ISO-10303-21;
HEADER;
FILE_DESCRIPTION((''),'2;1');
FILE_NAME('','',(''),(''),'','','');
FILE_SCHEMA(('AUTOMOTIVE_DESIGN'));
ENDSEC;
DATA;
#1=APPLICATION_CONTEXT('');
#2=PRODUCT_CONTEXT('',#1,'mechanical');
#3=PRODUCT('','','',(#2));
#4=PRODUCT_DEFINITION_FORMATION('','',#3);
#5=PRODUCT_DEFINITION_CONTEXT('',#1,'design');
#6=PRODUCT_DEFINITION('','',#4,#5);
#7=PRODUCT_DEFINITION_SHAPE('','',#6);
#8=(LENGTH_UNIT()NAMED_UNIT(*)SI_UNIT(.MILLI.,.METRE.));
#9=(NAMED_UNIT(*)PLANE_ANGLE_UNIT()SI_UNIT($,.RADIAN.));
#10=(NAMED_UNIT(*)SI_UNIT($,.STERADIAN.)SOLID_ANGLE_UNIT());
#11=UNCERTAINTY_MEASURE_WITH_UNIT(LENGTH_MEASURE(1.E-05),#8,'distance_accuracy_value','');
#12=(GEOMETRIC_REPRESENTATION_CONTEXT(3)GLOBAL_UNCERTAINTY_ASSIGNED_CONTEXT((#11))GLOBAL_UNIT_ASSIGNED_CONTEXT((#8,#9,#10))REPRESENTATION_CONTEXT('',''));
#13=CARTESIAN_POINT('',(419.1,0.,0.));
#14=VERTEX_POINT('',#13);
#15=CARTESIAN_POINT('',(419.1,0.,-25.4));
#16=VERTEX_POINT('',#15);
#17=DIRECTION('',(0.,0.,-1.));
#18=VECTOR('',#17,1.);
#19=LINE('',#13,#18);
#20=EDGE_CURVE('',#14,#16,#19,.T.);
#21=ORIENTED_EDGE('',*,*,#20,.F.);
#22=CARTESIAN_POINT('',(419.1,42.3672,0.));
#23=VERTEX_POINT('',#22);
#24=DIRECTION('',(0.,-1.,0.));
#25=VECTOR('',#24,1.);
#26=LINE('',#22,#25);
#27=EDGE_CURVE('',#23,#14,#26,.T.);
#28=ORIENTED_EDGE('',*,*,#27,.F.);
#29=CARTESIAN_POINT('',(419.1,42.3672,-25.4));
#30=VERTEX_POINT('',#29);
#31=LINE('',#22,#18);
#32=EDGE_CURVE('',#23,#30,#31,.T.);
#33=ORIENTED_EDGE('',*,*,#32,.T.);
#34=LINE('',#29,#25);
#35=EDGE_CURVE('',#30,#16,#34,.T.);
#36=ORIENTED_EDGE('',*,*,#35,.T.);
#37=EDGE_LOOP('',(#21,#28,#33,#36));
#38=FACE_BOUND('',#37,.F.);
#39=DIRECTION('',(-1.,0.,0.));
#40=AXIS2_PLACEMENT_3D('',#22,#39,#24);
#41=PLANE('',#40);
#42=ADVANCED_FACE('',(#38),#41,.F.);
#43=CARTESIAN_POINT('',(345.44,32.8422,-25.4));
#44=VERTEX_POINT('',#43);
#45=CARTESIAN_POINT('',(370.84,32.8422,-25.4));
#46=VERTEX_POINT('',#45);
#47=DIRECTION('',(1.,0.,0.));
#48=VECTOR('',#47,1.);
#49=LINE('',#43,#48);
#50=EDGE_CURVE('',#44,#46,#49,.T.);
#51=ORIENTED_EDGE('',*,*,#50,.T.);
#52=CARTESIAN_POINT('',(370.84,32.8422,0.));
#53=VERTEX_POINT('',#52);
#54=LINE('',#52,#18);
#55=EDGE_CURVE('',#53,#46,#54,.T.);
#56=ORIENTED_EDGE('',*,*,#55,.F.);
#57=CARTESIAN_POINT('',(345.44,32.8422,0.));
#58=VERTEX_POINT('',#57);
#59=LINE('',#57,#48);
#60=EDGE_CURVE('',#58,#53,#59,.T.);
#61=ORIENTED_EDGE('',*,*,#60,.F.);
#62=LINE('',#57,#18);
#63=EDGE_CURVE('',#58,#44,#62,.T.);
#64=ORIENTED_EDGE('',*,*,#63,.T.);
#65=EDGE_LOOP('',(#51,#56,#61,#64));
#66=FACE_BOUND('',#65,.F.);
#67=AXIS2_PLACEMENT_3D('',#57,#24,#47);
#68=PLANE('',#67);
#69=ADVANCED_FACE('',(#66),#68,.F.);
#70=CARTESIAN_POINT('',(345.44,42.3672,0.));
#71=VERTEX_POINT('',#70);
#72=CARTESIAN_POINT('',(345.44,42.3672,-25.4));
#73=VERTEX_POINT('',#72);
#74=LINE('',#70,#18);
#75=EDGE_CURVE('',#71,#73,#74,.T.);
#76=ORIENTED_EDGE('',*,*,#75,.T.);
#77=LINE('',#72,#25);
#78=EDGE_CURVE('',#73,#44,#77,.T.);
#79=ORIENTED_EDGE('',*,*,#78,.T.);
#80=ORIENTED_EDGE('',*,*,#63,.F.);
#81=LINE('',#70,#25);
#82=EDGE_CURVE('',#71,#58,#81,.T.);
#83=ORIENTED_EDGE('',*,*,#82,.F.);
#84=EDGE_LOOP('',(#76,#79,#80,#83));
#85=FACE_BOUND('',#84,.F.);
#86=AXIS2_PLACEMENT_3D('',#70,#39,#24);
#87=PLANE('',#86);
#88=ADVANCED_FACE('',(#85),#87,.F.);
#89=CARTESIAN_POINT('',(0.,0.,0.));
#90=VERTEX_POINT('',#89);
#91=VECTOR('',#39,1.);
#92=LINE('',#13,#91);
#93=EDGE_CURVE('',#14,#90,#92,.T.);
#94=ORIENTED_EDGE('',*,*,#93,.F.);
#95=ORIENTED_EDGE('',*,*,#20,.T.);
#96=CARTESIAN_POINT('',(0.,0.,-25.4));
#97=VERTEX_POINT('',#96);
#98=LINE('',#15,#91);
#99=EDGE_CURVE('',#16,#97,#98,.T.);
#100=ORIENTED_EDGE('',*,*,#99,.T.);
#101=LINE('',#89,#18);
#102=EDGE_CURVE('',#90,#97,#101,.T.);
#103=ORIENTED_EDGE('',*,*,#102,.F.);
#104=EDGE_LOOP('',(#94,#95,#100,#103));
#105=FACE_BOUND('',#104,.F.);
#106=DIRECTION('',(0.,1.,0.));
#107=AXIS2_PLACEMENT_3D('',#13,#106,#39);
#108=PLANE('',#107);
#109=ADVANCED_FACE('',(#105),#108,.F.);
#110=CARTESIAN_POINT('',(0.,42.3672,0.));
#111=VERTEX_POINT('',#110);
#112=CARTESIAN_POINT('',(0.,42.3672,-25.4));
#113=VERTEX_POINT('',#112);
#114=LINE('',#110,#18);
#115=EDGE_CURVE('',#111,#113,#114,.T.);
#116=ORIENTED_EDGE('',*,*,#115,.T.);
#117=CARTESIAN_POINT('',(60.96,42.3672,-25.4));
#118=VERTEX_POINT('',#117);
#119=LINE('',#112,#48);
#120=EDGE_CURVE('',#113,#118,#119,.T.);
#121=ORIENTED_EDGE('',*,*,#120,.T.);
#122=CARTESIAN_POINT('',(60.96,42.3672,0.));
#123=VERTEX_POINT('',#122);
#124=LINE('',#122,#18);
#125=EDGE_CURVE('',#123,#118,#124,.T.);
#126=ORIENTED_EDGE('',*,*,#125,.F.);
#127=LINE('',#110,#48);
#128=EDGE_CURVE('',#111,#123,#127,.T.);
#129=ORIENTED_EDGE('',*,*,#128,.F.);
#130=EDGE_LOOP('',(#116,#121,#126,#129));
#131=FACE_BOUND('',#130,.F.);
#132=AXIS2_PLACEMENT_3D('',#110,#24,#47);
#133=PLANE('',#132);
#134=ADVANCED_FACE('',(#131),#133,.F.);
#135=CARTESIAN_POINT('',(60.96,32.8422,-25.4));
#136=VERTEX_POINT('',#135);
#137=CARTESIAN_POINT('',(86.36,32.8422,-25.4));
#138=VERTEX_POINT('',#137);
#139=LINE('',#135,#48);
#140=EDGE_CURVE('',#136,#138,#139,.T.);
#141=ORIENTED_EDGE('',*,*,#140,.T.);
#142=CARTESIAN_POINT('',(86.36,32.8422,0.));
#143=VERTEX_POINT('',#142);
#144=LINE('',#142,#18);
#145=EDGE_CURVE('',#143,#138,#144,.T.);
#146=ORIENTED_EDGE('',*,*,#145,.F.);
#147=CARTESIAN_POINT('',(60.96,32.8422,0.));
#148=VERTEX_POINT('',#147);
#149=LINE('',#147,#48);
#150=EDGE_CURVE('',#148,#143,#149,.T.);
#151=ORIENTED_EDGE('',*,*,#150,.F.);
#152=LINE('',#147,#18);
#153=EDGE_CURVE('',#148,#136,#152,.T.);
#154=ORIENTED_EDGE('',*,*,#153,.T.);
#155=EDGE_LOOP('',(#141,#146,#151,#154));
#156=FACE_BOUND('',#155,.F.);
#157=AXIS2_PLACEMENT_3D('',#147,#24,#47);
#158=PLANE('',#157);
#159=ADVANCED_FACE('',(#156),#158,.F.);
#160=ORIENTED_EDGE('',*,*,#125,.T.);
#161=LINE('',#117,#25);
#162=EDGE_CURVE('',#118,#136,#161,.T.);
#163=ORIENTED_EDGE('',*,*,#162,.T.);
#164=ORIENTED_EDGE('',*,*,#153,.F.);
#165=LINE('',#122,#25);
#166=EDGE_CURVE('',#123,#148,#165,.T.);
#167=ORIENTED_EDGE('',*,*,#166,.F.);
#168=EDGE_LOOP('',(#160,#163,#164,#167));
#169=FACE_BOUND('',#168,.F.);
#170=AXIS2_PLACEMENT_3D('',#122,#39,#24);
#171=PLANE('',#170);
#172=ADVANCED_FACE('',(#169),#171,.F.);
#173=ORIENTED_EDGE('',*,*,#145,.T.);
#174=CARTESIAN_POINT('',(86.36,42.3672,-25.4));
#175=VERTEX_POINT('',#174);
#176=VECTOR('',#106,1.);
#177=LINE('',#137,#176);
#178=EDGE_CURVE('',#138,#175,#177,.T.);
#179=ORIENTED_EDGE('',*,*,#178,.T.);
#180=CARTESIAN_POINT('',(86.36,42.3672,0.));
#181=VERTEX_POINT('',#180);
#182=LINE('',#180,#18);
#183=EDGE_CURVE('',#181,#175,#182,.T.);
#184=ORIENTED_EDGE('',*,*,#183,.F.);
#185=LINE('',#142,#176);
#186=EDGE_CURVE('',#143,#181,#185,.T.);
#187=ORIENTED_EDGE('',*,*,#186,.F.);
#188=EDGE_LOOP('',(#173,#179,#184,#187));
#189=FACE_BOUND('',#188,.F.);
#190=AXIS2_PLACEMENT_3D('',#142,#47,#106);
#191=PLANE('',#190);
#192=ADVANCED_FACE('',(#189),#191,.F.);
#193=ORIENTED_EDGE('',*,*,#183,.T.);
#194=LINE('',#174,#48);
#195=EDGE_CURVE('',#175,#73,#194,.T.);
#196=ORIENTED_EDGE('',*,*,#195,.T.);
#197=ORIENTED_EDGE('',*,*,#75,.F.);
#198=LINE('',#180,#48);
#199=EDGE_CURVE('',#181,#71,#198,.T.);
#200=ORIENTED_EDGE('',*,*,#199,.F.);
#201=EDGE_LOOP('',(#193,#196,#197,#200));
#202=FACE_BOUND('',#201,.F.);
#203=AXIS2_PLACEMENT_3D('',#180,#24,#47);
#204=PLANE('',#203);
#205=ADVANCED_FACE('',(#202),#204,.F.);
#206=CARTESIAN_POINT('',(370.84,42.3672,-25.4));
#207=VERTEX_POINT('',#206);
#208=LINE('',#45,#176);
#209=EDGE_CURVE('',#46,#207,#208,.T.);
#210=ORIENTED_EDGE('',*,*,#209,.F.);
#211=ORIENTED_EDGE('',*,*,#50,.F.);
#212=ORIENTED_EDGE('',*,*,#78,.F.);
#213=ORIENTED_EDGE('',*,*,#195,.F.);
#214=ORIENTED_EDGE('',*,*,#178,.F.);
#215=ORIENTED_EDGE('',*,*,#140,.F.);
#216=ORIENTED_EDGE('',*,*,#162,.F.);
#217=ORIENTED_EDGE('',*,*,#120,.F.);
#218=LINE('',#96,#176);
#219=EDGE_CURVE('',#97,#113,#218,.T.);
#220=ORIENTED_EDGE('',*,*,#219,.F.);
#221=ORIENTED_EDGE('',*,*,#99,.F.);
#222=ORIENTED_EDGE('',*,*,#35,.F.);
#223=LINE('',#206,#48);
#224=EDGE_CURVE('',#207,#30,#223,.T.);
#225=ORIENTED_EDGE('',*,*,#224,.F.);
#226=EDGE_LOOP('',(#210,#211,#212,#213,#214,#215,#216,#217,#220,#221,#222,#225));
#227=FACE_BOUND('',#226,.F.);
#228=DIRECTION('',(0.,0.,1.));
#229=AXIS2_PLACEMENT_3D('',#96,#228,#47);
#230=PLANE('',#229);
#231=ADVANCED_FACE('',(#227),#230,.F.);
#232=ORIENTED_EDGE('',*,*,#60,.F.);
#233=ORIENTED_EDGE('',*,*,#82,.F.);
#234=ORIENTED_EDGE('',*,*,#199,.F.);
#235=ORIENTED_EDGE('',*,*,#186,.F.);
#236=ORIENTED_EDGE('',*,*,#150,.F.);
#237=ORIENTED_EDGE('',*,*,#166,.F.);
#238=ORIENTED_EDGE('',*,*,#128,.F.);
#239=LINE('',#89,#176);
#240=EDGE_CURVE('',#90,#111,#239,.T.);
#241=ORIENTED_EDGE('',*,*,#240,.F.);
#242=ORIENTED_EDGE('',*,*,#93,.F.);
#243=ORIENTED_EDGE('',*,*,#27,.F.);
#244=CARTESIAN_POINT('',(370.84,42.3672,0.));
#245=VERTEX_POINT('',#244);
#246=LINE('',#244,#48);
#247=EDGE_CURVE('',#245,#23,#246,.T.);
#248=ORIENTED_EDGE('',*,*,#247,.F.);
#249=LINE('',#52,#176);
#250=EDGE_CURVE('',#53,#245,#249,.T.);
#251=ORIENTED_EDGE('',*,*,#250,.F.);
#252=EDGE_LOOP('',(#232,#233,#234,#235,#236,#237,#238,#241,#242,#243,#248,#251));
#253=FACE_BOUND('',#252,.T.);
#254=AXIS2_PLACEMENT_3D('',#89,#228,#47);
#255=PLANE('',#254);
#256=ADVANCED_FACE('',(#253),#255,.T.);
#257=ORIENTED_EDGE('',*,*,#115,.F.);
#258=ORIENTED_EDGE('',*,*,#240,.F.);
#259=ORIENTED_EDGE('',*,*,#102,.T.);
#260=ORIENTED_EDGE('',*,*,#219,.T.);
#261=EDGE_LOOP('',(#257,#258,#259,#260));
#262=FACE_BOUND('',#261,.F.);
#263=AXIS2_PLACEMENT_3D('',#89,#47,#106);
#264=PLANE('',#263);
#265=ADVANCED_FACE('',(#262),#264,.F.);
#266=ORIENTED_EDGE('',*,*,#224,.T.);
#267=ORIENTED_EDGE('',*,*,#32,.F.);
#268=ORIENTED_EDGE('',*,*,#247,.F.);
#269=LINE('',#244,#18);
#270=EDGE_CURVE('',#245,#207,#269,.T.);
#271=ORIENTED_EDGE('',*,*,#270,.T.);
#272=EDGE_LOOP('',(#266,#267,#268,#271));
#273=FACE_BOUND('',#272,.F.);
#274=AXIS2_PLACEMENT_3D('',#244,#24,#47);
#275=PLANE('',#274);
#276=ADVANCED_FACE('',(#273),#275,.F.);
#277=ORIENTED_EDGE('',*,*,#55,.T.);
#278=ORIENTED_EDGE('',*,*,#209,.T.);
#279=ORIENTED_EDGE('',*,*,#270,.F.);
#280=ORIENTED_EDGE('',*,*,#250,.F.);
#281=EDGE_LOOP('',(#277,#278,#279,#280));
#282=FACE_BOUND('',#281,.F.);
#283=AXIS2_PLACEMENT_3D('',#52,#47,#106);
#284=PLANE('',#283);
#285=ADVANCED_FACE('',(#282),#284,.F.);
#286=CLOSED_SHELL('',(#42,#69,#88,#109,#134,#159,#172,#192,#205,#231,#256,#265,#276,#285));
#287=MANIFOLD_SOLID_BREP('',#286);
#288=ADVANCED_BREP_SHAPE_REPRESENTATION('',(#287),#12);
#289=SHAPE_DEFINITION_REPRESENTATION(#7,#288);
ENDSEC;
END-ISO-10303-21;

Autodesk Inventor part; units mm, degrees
ref_plane "YZ Plane" through (0, 0, 0) normal (1, 0, 0) x (0, 1, 0)
ref_plane "XZ Plane" through (0, 0, 0) normal (0, 1, 0) x (-1, 0, 0)
ref_plane "XY Plane" through (0, 0, 0) normal (0, 0, 1) x (1, 0, 0)
sketch "Sketch1" plane through (0, 0, 0) normal (0, 0, 1) x (1, 0, 0)
  line L0 (0, 0) -> (0, 42.3672)
  line L1 (0, 42.3672) -> (60.96, 42.3672)
  line L2 (60.96, 42.3672) -> (60.96, 32.8422)
  line L3 (60.96, 32.8422) -> (86.36, 32.8422)
  line L4 (86.36, 32.8422) -> (86.36, 42.3672)
  line L5 (86.36, 42.3672) -> (345.44, 42.3672)
  line L6 (345.44, 42.3672) -> (345.44, 32.8422)
  line L7 (345.44, 32.8422) -> (370.84, 32.8422)
  line L8 (370.84, 32.8422) -> (370.84, 42.3672)
  line L9 (370.84, 42.3672) -> (419.1, 42.3672)
  line L10 (419.1, 42.3672) -> (419.1, 0)
  line L11 (419.1, 0) -> (0, 0)
  dimension "d0" = 42.3672
  dimension "d1" = 60.96
  dimension "d2" = 25.4
  dimension "d3" = 345.44
  dimension "d4" = 419.1
  dimension "d5" = 25.4
  dimension "d6" = 9.525
extrude "Extrusion1" add sketch "Sketch1" against normal blind 25.4
properties part number "mid spacer"
